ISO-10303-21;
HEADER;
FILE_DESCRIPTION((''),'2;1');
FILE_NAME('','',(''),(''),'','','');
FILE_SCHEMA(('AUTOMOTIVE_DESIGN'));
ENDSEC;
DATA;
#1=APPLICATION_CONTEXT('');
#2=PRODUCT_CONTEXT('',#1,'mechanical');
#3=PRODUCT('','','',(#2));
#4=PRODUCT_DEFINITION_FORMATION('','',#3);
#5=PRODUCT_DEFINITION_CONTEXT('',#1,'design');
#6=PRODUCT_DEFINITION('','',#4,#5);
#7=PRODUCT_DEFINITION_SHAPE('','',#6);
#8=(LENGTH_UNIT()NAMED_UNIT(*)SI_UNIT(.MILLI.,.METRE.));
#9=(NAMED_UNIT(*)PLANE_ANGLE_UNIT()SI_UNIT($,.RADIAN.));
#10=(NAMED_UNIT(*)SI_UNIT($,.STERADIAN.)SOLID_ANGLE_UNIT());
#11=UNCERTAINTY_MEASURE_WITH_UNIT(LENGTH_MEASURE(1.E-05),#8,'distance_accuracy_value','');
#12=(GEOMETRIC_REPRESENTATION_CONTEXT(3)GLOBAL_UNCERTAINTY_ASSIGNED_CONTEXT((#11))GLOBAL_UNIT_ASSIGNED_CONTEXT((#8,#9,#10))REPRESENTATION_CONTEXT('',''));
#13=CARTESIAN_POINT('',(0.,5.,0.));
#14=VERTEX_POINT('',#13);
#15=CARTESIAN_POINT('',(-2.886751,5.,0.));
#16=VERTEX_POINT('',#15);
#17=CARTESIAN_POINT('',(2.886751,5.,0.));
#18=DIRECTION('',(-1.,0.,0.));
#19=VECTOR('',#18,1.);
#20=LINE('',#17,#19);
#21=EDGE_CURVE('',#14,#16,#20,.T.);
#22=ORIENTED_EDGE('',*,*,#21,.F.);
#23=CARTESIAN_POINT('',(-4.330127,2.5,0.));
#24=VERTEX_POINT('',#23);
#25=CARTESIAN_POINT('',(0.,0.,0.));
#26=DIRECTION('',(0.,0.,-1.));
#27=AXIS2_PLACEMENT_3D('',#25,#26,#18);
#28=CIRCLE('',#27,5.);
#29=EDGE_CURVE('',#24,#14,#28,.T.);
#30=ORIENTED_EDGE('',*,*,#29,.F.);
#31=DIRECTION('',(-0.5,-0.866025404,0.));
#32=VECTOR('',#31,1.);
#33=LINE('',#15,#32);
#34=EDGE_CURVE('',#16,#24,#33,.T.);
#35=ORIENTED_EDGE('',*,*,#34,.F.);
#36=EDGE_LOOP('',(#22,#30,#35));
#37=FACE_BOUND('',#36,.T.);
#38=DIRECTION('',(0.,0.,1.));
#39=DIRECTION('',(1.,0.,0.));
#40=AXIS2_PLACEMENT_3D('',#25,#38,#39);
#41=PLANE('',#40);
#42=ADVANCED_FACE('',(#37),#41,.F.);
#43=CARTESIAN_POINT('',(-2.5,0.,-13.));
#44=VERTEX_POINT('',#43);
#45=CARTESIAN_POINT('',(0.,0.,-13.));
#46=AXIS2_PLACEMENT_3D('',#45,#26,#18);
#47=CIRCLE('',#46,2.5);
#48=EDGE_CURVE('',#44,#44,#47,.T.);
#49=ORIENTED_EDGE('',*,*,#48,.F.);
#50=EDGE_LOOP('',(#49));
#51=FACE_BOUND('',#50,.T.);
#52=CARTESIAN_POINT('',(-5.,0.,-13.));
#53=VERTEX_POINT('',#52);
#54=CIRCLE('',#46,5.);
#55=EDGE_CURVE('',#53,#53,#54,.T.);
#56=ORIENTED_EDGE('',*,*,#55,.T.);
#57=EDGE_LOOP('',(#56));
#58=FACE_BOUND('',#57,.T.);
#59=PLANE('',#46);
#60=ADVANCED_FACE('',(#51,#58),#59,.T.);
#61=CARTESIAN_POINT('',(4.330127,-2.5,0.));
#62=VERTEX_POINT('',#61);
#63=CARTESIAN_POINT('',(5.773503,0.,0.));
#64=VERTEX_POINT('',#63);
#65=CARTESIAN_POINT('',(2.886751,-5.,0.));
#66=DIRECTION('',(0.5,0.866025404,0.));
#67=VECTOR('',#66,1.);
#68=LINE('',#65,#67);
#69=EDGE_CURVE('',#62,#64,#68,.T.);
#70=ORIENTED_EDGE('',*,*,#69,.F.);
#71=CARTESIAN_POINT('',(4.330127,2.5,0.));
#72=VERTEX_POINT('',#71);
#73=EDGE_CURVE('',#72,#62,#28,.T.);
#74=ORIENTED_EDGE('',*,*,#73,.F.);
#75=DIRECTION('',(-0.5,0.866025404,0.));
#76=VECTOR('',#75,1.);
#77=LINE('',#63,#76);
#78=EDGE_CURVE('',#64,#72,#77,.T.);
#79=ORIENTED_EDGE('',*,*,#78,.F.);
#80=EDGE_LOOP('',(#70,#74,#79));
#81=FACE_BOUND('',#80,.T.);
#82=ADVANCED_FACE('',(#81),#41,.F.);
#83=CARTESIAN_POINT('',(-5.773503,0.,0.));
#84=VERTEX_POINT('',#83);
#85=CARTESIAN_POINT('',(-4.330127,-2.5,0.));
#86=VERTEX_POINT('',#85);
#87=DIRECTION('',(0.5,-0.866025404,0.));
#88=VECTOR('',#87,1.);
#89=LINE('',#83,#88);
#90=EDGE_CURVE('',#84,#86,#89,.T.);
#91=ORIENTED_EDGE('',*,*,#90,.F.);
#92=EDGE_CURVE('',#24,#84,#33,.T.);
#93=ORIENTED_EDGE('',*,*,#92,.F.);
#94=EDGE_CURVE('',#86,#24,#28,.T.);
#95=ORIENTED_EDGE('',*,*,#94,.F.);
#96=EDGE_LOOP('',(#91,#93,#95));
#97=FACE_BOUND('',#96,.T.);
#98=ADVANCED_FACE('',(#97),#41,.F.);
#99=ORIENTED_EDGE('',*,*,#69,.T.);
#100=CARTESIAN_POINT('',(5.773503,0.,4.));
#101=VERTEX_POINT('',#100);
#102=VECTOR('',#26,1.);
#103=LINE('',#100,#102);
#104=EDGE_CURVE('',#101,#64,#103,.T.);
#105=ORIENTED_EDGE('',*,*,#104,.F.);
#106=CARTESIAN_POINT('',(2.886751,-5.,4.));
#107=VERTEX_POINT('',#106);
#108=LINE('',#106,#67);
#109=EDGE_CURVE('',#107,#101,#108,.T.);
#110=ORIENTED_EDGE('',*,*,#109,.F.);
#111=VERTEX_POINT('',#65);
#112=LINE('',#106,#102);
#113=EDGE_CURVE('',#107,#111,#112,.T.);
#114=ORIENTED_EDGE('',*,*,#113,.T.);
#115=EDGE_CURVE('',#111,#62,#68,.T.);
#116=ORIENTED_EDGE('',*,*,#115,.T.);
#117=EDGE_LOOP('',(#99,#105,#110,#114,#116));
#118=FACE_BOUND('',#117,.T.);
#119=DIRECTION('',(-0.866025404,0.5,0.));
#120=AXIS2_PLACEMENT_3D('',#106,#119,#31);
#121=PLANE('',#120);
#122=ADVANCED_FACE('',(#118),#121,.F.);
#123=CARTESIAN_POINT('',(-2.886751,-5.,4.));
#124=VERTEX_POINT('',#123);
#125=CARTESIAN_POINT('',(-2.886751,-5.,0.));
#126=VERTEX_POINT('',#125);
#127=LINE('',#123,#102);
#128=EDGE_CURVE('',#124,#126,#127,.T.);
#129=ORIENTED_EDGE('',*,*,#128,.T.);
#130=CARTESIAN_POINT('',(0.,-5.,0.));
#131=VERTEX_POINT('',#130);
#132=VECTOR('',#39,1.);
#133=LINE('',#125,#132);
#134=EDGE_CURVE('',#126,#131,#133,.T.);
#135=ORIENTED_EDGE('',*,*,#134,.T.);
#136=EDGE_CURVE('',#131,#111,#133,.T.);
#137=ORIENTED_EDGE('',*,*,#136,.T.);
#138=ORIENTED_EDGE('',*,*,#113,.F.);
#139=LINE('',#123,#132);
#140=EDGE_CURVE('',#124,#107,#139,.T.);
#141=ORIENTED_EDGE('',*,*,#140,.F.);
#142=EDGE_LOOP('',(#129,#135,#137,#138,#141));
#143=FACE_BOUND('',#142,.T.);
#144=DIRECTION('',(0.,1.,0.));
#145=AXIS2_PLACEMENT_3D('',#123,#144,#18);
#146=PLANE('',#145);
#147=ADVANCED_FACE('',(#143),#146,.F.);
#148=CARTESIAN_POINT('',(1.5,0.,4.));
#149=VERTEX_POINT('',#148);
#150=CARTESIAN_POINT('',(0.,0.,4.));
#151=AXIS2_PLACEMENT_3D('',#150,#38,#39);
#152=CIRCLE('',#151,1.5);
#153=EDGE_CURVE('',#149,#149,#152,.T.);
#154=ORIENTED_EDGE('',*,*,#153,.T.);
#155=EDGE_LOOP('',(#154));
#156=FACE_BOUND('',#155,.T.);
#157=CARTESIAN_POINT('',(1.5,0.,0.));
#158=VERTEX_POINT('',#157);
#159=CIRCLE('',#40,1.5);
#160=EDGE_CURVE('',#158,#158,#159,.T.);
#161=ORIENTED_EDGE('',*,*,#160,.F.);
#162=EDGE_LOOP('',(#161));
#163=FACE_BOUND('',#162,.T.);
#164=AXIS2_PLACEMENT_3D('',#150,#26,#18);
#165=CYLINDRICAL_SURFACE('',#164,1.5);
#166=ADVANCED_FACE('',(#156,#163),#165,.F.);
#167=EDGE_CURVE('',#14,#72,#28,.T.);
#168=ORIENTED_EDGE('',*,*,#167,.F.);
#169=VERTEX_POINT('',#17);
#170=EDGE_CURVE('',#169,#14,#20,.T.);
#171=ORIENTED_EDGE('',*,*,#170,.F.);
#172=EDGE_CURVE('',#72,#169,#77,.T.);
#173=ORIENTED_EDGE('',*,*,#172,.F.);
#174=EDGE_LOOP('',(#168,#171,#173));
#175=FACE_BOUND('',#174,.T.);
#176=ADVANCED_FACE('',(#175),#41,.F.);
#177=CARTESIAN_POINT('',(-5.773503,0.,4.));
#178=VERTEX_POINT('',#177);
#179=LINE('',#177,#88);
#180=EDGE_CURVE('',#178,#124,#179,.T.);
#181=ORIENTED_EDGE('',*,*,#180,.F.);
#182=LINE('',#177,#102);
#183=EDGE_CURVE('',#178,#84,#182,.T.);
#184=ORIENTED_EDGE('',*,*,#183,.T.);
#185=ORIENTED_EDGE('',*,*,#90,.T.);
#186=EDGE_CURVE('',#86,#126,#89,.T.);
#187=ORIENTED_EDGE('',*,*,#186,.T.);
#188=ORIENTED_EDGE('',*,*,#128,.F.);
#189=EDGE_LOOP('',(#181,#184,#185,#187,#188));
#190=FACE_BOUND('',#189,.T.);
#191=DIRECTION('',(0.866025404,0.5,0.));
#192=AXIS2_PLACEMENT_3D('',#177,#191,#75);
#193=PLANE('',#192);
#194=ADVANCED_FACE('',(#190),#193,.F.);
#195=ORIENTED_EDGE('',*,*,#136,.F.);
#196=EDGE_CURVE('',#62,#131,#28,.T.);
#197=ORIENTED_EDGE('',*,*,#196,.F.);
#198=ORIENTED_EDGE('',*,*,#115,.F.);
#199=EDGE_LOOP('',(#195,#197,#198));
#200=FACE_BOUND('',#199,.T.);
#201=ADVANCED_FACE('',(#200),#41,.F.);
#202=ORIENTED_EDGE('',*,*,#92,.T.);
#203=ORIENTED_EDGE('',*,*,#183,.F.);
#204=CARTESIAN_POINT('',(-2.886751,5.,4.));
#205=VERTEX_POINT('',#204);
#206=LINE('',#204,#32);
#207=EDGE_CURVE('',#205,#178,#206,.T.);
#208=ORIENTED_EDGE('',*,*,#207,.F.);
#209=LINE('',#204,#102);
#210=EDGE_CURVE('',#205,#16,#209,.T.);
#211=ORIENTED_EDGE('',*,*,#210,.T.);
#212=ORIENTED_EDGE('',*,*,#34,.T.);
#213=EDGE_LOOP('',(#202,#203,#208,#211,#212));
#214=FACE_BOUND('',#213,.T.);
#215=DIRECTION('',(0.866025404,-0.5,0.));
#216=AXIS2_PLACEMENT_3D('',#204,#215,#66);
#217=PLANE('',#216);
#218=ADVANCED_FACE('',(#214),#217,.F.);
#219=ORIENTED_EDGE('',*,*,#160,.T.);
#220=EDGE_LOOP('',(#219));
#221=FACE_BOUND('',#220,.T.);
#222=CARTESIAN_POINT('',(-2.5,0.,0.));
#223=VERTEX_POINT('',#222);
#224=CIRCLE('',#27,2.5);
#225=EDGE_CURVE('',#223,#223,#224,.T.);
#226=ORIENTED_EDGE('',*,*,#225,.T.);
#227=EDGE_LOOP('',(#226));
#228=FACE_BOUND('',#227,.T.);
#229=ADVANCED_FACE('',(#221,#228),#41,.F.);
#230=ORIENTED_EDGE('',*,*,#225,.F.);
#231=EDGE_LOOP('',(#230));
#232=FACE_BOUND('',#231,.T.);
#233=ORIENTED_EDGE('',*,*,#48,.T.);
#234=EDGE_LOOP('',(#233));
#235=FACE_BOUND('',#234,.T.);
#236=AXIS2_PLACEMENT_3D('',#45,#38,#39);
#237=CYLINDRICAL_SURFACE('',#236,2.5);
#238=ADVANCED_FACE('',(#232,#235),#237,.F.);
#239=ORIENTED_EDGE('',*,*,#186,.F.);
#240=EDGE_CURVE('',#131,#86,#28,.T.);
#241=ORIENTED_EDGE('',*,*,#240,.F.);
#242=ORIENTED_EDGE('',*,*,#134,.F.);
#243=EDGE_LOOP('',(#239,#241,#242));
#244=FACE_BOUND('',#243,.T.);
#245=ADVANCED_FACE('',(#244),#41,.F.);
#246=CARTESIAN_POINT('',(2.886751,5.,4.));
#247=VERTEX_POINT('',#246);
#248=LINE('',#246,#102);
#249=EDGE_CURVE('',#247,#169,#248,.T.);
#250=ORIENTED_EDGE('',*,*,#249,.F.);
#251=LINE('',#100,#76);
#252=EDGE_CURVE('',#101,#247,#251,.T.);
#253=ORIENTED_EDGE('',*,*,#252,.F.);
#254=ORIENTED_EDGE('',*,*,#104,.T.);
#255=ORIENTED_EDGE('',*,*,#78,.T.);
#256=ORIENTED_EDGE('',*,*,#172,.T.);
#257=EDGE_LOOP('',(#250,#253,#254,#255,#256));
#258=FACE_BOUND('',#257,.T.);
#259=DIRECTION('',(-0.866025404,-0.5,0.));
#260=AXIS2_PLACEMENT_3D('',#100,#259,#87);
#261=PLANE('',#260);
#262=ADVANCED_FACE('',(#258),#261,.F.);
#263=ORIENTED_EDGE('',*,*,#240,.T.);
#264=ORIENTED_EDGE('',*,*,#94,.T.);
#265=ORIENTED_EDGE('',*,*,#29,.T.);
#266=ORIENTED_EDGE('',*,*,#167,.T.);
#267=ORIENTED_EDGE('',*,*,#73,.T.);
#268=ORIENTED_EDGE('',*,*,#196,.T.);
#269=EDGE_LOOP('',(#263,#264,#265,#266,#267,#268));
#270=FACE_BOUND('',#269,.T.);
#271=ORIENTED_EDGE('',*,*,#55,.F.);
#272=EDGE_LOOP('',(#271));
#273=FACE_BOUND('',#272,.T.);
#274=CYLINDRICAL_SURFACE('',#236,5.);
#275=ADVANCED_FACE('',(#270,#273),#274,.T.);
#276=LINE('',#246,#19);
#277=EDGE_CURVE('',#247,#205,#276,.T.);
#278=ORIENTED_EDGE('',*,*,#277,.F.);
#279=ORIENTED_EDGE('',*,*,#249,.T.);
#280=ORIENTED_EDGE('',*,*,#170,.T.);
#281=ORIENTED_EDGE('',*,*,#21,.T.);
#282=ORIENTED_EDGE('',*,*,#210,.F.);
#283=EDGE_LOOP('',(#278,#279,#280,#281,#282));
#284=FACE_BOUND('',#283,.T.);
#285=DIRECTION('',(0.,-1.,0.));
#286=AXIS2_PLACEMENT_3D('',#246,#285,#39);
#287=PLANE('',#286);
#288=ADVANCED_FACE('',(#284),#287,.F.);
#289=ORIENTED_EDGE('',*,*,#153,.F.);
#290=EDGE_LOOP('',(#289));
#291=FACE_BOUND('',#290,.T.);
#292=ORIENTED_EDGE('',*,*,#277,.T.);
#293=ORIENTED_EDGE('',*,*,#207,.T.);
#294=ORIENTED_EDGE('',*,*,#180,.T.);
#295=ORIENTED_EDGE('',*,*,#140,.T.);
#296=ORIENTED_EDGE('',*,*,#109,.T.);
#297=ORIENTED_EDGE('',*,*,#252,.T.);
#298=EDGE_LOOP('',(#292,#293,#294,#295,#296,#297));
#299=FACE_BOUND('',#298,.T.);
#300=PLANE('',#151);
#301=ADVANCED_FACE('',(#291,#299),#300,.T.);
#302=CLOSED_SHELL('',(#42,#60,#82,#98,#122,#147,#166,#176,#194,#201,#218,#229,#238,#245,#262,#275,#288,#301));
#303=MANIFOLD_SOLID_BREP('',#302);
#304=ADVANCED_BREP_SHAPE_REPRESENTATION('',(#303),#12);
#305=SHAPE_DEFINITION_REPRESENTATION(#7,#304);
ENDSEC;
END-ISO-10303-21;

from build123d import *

# Parameters (mm, degrees)
CROQUIS2_R              = 1.5
SALIENTE_EXTRUIR1_DEPTH = 4
CROQUIS3_R              = 5
CROQUIS3_R_2            = 2.5
SALIENTE_EXTRUIR2_DEPTH = 13


with BuildPart() as part:
    # Croquis2 → Saliente-Extruir1 (new body)
    with BuildSketch(Plane.XY):
        Polygon((2.886751346, 5), (-2.886751346, 5), (-5.773502692, 0), (-2.886751346, -5), (2.886751346, -5), (5.773502692, 0), align=None)
        Circle(CROQUIS2_R, mode=Mode.SUBTRACT)
    extrude(amount=SALIENTE_EXTRUIR1_DEPTH)

    # Croquis3 → Saliente-Extruir2 (add)
    with BuildSketch(Plane(origin=(0, 0, 0), x_dir=(-1, 0, 0), z_dir=(0, 0, -1))):
        Circle(CROQUIS3_R)
        Circle(CROQUIS3_R_2, mode=Mode.SUBTRACT)
    extrude(amount=SALIENTE_EXTRUIR2_DEPTH)


solid = part.part
